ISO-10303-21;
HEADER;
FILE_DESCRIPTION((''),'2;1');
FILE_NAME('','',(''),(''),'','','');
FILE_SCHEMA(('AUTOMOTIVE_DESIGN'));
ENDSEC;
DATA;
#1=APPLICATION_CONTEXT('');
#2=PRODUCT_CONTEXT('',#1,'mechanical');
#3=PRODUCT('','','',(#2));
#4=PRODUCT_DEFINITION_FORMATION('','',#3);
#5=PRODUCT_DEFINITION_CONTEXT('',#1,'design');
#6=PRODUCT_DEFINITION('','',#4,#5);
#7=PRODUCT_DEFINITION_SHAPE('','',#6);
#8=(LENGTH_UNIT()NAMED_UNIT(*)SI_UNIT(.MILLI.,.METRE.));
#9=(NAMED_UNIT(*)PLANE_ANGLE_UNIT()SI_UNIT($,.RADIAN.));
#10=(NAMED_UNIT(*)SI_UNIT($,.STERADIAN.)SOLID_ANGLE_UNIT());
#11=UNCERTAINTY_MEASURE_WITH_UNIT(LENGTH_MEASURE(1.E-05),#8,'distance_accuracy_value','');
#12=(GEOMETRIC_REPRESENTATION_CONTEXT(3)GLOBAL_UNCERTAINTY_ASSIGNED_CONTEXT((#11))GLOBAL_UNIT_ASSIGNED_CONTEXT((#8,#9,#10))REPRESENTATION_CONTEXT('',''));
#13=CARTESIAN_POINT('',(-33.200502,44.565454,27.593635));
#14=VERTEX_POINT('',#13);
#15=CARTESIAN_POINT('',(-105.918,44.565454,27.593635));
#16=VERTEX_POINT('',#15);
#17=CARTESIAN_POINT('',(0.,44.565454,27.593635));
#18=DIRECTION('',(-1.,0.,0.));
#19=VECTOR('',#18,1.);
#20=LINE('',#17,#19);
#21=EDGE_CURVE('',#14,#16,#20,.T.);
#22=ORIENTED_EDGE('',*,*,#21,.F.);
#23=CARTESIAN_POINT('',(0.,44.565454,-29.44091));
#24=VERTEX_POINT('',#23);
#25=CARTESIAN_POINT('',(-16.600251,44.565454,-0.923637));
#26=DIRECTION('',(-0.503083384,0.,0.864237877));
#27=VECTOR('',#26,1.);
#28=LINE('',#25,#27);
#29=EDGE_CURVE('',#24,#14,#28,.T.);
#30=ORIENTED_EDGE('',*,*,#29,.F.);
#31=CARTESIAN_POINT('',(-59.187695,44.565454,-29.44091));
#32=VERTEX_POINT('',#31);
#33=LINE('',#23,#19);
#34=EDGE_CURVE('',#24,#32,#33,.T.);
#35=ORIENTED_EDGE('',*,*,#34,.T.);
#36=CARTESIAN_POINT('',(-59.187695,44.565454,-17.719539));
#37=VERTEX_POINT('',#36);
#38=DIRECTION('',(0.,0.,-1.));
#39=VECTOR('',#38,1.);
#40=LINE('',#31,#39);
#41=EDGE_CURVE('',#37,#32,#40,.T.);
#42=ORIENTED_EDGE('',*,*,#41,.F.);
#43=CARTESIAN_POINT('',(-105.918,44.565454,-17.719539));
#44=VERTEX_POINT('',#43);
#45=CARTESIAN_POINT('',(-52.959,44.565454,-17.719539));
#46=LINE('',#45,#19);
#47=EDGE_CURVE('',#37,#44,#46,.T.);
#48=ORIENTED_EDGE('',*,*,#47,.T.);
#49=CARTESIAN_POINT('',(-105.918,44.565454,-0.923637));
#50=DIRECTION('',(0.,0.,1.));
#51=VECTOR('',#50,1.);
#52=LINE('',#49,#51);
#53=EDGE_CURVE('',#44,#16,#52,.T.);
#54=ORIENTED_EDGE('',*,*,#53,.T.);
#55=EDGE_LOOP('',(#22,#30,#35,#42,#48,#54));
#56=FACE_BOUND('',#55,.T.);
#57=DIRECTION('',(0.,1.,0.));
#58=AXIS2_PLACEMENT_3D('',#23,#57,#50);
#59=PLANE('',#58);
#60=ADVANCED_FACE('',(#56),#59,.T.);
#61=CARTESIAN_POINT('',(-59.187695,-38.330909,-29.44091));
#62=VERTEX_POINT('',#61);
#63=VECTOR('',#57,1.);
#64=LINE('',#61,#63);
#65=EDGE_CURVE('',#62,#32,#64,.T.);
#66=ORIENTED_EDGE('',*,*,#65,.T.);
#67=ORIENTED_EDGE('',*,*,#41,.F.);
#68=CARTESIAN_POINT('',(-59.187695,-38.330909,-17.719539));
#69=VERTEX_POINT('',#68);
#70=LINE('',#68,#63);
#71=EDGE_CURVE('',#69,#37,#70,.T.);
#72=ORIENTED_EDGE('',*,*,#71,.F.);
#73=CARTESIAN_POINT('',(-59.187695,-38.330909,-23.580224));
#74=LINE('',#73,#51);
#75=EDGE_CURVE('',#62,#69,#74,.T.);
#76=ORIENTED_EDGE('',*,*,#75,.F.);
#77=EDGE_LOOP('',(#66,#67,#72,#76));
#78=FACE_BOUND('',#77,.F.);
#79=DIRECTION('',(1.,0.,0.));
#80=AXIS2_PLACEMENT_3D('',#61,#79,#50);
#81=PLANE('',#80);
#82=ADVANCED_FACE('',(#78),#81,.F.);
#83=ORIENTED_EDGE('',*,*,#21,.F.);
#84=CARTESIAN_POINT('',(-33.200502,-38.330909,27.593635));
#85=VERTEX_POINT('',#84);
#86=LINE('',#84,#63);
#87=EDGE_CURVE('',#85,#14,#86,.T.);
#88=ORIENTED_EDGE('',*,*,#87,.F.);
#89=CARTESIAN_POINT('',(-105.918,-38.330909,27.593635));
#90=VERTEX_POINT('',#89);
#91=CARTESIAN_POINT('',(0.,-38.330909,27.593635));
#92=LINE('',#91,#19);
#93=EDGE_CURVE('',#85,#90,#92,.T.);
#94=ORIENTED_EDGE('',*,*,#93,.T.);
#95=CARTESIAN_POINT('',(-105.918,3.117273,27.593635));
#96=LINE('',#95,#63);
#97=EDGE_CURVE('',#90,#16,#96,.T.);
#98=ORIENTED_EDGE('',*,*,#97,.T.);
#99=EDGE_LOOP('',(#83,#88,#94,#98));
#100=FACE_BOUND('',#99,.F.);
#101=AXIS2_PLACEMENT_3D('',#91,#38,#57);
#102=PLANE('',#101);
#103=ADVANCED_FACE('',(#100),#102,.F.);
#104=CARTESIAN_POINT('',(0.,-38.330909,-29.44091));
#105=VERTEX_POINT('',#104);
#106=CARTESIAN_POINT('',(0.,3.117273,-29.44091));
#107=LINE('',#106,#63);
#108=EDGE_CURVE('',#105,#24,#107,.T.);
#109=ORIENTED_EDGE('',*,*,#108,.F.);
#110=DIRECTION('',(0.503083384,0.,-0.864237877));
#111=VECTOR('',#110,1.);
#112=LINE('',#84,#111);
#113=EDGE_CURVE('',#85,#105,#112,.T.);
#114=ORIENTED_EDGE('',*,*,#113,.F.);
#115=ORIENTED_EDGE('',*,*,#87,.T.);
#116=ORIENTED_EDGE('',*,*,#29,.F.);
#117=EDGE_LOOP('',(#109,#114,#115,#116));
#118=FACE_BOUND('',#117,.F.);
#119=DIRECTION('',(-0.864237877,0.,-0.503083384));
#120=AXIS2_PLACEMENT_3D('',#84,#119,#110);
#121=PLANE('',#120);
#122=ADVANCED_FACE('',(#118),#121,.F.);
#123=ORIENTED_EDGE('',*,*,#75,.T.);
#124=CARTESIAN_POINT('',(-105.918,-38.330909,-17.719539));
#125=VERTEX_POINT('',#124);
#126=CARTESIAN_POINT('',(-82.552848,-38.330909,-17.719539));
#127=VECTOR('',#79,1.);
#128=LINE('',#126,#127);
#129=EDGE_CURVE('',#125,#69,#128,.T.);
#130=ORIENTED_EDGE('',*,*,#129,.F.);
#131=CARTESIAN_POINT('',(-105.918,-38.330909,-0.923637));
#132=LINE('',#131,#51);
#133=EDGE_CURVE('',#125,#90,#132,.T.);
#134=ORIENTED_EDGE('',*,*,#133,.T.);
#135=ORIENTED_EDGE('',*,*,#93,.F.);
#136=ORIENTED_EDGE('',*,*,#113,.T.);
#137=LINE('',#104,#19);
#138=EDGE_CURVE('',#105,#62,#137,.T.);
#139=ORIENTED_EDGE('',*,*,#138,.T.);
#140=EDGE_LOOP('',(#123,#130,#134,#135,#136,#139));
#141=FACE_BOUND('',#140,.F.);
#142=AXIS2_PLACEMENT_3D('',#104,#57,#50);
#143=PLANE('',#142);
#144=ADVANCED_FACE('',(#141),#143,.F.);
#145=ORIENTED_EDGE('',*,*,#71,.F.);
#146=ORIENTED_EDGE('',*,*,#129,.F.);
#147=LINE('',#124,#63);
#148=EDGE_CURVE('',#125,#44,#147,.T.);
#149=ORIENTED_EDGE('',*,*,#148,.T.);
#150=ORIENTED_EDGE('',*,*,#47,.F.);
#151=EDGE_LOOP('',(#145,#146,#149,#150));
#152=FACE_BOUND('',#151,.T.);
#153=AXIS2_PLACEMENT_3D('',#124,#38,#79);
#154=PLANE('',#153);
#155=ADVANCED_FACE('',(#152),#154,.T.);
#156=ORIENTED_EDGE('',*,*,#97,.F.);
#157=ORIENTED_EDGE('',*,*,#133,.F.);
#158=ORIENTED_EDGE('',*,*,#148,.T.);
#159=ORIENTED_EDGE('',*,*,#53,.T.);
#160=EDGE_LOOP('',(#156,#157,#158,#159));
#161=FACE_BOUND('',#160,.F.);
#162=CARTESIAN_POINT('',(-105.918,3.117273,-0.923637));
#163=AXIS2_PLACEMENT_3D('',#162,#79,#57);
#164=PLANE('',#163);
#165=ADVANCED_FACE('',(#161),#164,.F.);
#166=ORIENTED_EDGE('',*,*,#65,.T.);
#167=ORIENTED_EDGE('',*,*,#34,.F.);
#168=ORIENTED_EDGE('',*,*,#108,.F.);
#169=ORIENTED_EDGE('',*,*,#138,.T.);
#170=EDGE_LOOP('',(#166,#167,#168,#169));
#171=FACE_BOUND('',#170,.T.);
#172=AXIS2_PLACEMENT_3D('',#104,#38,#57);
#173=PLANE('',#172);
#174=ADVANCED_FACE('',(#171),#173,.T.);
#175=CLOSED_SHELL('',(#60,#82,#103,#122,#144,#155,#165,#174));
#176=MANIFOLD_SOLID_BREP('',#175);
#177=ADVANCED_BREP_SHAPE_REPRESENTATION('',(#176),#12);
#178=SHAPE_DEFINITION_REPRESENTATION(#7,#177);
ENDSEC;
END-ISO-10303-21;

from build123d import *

# Parameters (mm, degrees)
F0_W     = 82.8963629901
F0_H     = 57.0345446467
F1_DEPTH = 105.918
F3_DEPTH = 82.8973629901
F4_W     = 46.730304616
F4_H     = 11.7213707417
F5_DEPTH = 82.8973629901


with BuildPart() as f1:
    # F0 (on Right) → F1 (new body)
    with BuildSketch(Plane.YZ):
        with Locations((3.1172726303, -0.9236373007)):
            Rectangle(F0_W, F0_H)
    extrude(amount=-F1_DEPTH)

    # F2 (on face) → F3 (cut, through all)
    with BuildSketch(Plane.XZ.offset(38.3309088647)):
        Polygon((0, 27.5936350226), (-33.2005023956, 27.5936350226), (0, -29.4409096241), align=None)
    extrude(amount=-F3_DEPTH, mode=Mode.SUBTRACT)

    # F4 (on face) → F5 (cut, through all)
    with BuildSketch(Plane.XZ.offset(38.3309088647)):
        with Locations((-82.552847692, -23.5802242532)):
            Rectangle(F4_W, F4_H)
    extrude(amount=-F5_DEPTH, mode=Mode.SUBTRACT)


solid = f1.part
